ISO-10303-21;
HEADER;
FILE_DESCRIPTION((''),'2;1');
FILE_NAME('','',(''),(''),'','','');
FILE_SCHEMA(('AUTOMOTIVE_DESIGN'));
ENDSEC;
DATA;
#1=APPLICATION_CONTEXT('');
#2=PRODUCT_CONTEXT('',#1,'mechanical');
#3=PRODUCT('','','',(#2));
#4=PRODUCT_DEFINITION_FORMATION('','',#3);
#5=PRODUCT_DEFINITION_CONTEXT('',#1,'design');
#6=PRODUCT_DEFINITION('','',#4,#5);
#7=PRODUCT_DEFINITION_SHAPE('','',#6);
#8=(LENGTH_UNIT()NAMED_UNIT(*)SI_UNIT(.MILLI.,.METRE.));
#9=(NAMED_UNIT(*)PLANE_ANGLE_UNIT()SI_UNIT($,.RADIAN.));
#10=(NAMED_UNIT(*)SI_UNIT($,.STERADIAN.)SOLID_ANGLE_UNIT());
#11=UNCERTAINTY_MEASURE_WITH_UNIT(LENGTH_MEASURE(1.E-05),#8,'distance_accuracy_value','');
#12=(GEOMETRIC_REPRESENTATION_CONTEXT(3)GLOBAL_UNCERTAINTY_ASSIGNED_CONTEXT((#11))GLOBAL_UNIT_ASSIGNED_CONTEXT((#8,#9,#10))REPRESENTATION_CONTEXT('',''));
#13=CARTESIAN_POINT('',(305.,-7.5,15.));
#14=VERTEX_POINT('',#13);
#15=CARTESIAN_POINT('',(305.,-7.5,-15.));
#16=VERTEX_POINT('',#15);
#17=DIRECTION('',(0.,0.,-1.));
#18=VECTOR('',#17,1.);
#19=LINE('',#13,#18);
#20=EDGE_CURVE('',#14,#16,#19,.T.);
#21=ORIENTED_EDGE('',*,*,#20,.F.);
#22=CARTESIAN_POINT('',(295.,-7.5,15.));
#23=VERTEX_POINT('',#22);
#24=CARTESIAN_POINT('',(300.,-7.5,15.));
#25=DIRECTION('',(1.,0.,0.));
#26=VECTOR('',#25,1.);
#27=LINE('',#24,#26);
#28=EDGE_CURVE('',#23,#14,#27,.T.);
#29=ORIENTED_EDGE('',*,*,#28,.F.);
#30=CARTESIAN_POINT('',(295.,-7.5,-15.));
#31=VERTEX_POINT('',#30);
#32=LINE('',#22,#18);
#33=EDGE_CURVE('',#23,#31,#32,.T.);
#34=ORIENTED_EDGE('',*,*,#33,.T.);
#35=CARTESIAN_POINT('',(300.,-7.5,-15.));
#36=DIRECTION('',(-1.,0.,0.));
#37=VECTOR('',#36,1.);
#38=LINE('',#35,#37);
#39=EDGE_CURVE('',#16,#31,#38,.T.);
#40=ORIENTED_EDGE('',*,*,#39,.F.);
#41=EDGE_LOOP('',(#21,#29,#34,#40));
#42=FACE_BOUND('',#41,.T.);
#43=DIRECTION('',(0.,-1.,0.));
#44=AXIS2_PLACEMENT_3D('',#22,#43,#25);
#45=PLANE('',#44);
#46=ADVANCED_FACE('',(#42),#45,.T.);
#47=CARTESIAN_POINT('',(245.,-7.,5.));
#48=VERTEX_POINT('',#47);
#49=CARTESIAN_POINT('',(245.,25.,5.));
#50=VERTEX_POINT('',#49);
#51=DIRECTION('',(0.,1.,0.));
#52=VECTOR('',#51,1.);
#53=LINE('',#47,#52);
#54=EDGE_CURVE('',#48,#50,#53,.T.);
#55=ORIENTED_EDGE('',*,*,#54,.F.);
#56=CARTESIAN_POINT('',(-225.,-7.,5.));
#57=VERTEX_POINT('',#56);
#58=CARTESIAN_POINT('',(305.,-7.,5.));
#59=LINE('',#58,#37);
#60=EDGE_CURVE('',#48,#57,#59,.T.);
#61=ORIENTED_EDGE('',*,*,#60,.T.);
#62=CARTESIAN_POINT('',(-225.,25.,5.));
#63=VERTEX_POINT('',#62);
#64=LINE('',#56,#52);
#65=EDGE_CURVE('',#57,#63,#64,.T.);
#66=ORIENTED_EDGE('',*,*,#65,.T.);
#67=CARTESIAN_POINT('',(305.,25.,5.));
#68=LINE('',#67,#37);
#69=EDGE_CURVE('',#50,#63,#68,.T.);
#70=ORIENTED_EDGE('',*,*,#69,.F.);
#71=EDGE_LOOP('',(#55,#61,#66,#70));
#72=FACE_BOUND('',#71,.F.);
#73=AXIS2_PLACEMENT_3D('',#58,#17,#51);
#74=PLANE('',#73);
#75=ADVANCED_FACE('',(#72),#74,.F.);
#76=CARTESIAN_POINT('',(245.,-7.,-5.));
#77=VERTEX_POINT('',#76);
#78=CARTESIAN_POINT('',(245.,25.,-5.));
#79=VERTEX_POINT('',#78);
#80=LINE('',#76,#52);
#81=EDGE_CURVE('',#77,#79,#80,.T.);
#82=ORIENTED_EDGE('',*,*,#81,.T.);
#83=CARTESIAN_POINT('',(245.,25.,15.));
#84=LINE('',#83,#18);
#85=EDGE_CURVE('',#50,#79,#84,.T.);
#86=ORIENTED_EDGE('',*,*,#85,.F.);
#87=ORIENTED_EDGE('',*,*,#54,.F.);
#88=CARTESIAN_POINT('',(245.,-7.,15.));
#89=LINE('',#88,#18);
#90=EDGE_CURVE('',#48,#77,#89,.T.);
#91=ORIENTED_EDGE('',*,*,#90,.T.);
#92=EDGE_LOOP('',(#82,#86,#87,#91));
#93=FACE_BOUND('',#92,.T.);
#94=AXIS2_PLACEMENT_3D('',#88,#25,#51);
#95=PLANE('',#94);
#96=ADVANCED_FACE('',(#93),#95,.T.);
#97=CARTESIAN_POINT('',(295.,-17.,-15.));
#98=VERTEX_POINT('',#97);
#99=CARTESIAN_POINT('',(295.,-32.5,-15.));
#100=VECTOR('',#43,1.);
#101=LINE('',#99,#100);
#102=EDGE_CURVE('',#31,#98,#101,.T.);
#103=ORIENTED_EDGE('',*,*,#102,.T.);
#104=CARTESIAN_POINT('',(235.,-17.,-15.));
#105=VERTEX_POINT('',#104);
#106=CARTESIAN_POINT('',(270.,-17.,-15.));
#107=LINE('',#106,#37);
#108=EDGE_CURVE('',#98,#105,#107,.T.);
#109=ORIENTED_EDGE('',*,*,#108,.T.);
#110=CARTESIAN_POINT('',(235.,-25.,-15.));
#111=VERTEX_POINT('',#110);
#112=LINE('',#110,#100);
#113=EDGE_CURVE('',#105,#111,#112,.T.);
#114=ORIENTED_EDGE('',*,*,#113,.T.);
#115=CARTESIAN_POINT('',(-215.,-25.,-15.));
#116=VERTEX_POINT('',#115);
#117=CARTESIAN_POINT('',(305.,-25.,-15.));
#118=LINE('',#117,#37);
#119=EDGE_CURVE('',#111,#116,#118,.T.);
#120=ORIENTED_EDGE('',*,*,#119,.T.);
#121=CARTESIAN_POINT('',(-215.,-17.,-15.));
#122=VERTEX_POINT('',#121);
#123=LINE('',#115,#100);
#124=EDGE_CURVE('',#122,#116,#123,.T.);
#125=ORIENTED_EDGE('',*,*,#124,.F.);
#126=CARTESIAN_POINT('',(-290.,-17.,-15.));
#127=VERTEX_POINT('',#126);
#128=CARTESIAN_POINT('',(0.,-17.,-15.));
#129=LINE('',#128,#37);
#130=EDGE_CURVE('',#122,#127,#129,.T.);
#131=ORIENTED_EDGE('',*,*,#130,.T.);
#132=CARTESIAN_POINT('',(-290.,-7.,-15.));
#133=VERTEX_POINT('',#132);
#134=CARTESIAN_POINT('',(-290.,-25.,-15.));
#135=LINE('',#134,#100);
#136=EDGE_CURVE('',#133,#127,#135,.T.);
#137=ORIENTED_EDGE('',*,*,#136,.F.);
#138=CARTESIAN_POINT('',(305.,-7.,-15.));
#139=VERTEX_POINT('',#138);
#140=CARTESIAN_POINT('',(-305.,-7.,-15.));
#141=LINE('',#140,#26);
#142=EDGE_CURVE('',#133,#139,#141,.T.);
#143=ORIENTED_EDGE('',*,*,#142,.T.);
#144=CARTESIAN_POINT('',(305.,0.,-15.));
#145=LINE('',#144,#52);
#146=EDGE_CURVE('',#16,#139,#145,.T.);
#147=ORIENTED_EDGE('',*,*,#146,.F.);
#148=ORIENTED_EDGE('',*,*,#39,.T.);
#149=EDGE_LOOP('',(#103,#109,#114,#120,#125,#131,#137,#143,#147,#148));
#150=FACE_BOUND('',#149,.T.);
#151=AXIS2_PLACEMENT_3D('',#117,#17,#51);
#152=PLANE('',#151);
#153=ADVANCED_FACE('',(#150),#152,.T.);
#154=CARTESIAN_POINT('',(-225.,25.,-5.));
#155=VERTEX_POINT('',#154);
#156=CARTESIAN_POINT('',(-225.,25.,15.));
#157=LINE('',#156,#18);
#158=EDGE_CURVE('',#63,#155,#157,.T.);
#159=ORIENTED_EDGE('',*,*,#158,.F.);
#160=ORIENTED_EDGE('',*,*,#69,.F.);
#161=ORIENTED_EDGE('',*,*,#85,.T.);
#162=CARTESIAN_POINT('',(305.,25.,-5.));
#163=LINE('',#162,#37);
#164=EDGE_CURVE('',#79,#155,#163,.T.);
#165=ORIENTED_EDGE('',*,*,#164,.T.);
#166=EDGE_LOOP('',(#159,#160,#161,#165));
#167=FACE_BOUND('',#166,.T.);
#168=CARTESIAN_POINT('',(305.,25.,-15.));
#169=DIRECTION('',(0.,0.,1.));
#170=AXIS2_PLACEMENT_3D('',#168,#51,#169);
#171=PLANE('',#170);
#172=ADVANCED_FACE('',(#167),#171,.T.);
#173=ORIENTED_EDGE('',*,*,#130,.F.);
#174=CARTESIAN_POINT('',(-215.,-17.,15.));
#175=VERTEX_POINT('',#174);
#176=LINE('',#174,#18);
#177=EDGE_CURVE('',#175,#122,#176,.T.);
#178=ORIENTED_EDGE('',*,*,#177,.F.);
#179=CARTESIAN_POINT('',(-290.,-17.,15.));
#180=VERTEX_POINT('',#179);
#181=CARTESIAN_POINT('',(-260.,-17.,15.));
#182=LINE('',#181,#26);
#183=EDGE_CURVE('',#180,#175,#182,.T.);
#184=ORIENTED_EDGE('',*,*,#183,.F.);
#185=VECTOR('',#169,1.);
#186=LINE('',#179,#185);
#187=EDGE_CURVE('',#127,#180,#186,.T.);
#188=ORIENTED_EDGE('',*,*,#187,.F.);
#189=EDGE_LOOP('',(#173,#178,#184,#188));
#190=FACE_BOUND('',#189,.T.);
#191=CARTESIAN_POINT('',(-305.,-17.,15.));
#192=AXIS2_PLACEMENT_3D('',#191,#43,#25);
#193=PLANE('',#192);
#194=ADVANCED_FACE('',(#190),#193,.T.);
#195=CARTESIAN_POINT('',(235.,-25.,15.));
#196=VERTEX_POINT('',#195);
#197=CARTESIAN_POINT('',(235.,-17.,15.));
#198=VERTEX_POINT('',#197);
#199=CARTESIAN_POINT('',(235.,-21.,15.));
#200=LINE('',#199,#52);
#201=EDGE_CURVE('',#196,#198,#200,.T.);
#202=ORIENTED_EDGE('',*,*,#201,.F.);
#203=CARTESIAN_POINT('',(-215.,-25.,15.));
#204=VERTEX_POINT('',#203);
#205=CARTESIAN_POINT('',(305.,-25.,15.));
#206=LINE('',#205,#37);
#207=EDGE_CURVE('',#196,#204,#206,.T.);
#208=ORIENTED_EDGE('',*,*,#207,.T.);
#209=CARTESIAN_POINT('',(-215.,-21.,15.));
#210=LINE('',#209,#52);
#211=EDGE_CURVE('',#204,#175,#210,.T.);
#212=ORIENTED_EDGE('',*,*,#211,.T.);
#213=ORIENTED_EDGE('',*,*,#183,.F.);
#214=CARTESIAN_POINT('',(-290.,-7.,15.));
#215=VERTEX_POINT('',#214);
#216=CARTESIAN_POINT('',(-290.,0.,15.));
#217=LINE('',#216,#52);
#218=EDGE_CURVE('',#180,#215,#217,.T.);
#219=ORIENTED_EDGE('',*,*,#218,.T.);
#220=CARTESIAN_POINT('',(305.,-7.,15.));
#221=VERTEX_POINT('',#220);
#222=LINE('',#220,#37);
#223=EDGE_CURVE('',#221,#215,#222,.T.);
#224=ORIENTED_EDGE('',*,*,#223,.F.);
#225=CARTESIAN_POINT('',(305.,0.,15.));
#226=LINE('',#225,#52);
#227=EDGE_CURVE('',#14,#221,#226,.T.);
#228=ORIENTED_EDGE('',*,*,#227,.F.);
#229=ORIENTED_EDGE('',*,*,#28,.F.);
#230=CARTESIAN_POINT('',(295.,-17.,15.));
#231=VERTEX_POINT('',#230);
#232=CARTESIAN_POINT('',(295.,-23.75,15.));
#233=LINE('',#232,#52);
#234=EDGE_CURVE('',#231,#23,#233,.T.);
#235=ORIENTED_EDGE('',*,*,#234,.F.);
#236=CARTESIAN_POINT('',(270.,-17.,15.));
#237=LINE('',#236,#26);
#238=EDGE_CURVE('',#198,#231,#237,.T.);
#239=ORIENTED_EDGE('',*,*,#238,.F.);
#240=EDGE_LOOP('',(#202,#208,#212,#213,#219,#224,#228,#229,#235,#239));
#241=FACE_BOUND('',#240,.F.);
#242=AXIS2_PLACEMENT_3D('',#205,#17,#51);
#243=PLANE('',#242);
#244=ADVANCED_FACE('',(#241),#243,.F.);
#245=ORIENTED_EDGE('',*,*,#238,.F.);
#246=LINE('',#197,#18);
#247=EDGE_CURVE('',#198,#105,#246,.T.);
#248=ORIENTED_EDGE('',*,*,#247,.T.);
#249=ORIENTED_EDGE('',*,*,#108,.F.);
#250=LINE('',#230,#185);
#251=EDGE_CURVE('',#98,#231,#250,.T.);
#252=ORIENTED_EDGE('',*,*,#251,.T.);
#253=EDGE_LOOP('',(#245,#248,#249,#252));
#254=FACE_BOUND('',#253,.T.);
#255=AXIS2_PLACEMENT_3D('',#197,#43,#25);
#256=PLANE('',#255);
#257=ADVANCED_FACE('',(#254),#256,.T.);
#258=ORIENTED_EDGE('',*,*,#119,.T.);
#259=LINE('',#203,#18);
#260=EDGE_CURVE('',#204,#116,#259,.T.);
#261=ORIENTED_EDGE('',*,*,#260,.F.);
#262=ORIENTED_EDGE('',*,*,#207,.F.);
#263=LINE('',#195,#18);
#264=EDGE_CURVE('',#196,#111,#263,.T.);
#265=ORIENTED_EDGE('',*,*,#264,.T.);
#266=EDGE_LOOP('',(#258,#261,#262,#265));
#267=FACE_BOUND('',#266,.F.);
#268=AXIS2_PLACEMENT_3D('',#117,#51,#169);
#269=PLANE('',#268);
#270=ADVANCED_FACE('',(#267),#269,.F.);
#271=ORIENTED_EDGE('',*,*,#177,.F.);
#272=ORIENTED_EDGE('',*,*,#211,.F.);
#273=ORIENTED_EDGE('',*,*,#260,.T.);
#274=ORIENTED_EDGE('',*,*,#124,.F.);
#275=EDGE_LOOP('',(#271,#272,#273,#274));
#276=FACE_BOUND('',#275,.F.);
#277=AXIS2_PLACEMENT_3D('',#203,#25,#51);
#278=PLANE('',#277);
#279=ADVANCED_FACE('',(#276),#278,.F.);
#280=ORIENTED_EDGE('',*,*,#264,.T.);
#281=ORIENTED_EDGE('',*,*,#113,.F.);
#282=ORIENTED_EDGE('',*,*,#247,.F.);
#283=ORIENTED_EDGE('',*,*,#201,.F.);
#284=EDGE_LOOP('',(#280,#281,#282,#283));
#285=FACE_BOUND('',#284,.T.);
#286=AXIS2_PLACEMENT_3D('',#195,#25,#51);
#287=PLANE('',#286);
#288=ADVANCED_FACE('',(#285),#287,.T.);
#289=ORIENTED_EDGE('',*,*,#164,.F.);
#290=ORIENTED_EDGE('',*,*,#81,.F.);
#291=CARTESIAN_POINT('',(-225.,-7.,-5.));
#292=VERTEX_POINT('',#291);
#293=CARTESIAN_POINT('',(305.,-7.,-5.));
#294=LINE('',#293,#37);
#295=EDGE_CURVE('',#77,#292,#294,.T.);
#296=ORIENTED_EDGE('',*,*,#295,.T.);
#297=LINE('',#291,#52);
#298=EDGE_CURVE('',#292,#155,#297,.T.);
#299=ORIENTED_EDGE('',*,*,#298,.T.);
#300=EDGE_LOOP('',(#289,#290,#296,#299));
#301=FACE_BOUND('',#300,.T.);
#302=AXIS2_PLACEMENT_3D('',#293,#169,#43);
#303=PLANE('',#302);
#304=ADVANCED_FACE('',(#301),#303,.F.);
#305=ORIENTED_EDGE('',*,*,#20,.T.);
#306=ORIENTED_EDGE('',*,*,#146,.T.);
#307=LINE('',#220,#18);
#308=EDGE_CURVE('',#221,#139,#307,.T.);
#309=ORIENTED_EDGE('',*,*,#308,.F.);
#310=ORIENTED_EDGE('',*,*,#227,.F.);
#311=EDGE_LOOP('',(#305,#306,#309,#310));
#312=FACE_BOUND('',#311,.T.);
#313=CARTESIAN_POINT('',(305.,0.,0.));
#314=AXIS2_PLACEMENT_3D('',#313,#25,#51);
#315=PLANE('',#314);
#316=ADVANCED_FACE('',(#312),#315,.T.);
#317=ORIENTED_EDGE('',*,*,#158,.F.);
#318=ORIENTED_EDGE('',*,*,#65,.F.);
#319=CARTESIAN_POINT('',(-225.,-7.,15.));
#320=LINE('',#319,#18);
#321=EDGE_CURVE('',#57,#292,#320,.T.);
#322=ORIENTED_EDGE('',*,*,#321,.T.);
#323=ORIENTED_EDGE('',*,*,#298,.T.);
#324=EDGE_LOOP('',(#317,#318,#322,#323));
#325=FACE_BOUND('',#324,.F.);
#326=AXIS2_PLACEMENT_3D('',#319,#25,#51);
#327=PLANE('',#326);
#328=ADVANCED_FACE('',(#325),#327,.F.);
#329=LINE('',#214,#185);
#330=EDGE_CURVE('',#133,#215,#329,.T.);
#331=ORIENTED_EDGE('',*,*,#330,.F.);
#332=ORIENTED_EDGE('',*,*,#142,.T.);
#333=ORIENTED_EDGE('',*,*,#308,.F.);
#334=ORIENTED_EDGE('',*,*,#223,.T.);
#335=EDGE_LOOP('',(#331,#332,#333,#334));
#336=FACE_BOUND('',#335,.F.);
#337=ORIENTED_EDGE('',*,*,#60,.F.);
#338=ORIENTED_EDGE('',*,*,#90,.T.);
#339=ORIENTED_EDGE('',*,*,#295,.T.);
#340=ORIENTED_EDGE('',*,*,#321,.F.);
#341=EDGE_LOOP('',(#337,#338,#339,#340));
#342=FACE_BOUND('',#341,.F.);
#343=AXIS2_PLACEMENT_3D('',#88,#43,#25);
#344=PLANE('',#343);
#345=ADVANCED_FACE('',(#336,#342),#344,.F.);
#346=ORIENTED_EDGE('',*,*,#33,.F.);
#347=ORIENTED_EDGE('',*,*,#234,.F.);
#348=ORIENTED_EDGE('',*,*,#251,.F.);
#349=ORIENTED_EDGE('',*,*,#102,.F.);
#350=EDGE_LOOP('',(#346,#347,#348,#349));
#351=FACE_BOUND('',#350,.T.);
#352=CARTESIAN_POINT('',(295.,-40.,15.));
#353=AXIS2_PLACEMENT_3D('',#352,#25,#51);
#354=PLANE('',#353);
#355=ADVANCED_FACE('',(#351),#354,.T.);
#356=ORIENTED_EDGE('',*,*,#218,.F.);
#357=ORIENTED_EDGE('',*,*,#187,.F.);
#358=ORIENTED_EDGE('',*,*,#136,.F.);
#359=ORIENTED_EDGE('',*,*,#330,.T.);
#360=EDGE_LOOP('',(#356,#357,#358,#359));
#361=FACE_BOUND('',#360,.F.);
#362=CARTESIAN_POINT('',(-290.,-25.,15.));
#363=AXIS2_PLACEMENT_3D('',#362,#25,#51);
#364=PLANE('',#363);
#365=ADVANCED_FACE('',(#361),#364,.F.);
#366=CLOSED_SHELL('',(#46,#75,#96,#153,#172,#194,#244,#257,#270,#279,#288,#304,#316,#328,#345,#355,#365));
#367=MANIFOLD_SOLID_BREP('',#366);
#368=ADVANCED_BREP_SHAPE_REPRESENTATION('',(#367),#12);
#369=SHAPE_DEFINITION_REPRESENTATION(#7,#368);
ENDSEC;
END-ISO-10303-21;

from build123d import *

# Parameters (mm, degrees)
SKETCH033_W     = 50
SKETCH033_H     = 30
PAD003_DEPTH    = 610
SKETCH034_W     = 70
SKETCH034_H     = 8
SKETCH034_W_2   = 60
SKETCH034_H_2   = 32
POCKET029_DEPTH = 30.001
SKETCH036_W     = 80
SKETCH036_H     = 32
SKETCH036_W_2   = 90
SKETCH036_H_2   = 8
POCKET031_DEPTH = 30.001
SKETCH037_W     = 32
SKETCH037_H     = 10
POCKET032_DEPTH = 1835.562096
SKETCH038_W     = 15
SKETCH038_H     = 50
POCKET033_DEPTH = 30.001
SKETCH039_W     = 10
SKETCH039_H     = 32.5
POCKET034_DEPTH = 30.001


with BuildPart() as part:
    # Sketch033 (on DatumPlane) → Pad003 (new body)
    with BuildSketch(Plane.YZ.offset(305)):
        Rectangle(SKETCH033_W, SKETCH033_H)
    extrude(amount=-PAD003_DEPTH)

    # Sketch034 (on DatumPlane) → Pocket029 (cut, through all)
    with BuildSketch(Plane.XY.offset(15)):
        with Locations((270, -21)):
            Rectangle(SKETCH034_W, SKETCH034_H)
        with Locations((275, 9)):
            Rectangle(SKETCH034_W_2, SKETCH034_H_2)
    extrude(amount=-POCKET029_DEPTH, mode=Mode.SUBTRACT)

    # Sketch036 (on DatumPlane) → Pocket031 (cut, through all)
    with BuildSketch(Plane.XY.offset(15)):
        with Locations((-265, 9)):
            Rectangle(SKETCH036_W, SKETCH036_H)
        with Locations((-260, -21)):
            Rectangle(SKETCH036_W_2, SKETCH036_H_2)
    extrude(amount=-POCKET031_DEPTH, mode=Mode.SUBTRACT)

    # Sketch037 (on DatumPlane) → Pocket032 (cut, through all)
    with BuildSketch(Plane.YZ.offset(305)):
        with Locations((9, 10)):
            Rectangle(SKETCH037_W, SKETCH037_H)
    pocket032 = extrude(amount=-POCKET032_DEPTH, mode=Mode.SUBTRACT)

    # Mirrored004: Pocket032 across Sketch037 H_Axis
    add(pocket032.mirror(Plane(origin=(305, 0, 0), x_dir=(1, 0, 0), z_dir=(0, 0, 1))), mode=Mode.SUBTRACT)

    # Sketch038 (on DatumPlane) → Pocket033 (cut, through all)
    with BuildSketch(Plane.XY.offset(15)):
        with Locations((-297.5, 0)):
            Rectangle(SKETCH038_W, SKETCH038_H)
    extrude(amount=-POCKET033_DEPTH, mode=Mode.SUBTRACT)

    # Sketch039 (on DatumPlane) → Pocket034 (cut, through all)
    with BuildSketch(Plane.XY.offset(15)):
        with Locations((300, -23.75)):
            Rectangle(SKETCH039_W, SKETCH039_H)
    extrude(amount=-POCKET034_DEPTH, mode=Mode.SUBTRACT)


solid = part.part
